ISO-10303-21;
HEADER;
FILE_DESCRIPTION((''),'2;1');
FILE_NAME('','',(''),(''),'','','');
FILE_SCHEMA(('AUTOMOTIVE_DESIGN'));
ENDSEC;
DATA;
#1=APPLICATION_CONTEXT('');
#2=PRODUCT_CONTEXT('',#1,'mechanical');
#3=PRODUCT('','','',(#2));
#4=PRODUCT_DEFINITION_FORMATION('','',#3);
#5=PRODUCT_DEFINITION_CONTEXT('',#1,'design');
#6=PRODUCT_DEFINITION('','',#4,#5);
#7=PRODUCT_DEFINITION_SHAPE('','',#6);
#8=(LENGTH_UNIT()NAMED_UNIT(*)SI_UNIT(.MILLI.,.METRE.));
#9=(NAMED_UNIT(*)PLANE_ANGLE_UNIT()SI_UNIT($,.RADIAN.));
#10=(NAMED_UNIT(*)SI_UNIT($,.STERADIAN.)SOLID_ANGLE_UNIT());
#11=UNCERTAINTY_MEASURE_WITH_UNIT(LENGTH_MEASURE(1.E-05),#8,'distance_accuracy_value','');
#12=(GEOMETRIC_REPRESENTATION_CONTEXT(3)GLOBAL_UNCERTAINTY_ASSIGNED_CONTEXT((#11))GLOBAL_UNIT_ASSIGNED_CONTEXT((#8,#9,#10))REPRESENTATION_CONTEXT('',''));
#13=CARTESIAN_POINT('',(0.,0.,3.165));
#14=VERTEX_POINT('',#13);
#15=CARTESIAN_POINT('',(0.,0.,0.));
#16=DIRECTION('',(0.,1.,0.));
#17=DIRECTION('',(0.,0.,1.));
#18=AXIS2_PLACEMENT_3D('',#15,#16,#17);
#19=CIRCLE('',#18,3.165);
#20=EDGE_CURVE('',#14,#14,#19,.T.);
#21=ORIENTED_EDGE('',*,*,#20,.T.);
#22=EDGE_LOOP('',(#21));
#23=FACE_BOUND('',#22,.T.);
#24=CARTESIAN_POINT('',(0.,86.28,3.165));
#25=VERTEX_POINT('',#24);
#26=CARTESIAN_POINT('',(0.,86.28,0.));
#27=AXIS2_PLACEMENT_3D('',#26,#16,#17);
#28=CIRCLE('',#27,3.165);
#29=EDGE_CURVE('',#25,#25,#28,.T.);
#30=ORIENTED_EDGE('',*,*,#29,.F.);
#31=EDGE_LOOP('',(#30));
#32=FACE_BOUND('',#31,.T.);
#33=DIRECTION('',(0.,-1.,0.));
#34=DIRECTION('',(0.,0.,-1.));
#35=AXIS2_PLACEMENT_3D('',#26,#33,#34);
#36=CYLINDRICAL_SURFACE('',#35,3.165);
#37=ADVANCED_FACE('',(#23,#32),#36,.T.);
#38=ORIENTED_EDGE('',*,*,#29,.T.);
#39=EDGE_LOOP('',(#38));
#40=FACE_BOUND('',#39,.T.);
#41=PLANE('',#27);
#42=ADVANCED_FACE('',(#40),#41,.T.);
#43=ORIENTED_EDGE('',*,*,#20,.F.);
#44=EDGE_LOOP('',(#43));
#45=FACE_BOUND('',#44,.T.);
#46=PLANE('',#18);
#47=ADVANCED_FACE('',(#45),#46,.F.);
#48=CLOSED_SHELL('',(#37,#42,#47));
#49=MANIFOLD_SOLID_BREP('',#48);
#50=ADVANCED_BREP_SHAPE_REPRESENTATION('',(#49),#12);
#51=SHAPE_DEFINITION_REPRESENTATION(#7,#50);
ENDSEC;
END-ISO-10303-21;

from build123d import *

# Parameters (mm, degrees)
CROQUIS1_R              = 3.165
SALIENTE_EXTRUIR1_DEPTH = 86.28


with BuildPart() as part:
    # Croquis1 → Saliente-Extruir1 (new body)
    with BuildSketch(Plane(origin=(0, 0, 0), x_dir=(1, 0, 0), z_dir=(0, 1, 0))):
        Circle(CROQUIS1_R)
    extrude(amount=SALIENTE_EXTRUIR1_DEPTH)


solid = part.part
